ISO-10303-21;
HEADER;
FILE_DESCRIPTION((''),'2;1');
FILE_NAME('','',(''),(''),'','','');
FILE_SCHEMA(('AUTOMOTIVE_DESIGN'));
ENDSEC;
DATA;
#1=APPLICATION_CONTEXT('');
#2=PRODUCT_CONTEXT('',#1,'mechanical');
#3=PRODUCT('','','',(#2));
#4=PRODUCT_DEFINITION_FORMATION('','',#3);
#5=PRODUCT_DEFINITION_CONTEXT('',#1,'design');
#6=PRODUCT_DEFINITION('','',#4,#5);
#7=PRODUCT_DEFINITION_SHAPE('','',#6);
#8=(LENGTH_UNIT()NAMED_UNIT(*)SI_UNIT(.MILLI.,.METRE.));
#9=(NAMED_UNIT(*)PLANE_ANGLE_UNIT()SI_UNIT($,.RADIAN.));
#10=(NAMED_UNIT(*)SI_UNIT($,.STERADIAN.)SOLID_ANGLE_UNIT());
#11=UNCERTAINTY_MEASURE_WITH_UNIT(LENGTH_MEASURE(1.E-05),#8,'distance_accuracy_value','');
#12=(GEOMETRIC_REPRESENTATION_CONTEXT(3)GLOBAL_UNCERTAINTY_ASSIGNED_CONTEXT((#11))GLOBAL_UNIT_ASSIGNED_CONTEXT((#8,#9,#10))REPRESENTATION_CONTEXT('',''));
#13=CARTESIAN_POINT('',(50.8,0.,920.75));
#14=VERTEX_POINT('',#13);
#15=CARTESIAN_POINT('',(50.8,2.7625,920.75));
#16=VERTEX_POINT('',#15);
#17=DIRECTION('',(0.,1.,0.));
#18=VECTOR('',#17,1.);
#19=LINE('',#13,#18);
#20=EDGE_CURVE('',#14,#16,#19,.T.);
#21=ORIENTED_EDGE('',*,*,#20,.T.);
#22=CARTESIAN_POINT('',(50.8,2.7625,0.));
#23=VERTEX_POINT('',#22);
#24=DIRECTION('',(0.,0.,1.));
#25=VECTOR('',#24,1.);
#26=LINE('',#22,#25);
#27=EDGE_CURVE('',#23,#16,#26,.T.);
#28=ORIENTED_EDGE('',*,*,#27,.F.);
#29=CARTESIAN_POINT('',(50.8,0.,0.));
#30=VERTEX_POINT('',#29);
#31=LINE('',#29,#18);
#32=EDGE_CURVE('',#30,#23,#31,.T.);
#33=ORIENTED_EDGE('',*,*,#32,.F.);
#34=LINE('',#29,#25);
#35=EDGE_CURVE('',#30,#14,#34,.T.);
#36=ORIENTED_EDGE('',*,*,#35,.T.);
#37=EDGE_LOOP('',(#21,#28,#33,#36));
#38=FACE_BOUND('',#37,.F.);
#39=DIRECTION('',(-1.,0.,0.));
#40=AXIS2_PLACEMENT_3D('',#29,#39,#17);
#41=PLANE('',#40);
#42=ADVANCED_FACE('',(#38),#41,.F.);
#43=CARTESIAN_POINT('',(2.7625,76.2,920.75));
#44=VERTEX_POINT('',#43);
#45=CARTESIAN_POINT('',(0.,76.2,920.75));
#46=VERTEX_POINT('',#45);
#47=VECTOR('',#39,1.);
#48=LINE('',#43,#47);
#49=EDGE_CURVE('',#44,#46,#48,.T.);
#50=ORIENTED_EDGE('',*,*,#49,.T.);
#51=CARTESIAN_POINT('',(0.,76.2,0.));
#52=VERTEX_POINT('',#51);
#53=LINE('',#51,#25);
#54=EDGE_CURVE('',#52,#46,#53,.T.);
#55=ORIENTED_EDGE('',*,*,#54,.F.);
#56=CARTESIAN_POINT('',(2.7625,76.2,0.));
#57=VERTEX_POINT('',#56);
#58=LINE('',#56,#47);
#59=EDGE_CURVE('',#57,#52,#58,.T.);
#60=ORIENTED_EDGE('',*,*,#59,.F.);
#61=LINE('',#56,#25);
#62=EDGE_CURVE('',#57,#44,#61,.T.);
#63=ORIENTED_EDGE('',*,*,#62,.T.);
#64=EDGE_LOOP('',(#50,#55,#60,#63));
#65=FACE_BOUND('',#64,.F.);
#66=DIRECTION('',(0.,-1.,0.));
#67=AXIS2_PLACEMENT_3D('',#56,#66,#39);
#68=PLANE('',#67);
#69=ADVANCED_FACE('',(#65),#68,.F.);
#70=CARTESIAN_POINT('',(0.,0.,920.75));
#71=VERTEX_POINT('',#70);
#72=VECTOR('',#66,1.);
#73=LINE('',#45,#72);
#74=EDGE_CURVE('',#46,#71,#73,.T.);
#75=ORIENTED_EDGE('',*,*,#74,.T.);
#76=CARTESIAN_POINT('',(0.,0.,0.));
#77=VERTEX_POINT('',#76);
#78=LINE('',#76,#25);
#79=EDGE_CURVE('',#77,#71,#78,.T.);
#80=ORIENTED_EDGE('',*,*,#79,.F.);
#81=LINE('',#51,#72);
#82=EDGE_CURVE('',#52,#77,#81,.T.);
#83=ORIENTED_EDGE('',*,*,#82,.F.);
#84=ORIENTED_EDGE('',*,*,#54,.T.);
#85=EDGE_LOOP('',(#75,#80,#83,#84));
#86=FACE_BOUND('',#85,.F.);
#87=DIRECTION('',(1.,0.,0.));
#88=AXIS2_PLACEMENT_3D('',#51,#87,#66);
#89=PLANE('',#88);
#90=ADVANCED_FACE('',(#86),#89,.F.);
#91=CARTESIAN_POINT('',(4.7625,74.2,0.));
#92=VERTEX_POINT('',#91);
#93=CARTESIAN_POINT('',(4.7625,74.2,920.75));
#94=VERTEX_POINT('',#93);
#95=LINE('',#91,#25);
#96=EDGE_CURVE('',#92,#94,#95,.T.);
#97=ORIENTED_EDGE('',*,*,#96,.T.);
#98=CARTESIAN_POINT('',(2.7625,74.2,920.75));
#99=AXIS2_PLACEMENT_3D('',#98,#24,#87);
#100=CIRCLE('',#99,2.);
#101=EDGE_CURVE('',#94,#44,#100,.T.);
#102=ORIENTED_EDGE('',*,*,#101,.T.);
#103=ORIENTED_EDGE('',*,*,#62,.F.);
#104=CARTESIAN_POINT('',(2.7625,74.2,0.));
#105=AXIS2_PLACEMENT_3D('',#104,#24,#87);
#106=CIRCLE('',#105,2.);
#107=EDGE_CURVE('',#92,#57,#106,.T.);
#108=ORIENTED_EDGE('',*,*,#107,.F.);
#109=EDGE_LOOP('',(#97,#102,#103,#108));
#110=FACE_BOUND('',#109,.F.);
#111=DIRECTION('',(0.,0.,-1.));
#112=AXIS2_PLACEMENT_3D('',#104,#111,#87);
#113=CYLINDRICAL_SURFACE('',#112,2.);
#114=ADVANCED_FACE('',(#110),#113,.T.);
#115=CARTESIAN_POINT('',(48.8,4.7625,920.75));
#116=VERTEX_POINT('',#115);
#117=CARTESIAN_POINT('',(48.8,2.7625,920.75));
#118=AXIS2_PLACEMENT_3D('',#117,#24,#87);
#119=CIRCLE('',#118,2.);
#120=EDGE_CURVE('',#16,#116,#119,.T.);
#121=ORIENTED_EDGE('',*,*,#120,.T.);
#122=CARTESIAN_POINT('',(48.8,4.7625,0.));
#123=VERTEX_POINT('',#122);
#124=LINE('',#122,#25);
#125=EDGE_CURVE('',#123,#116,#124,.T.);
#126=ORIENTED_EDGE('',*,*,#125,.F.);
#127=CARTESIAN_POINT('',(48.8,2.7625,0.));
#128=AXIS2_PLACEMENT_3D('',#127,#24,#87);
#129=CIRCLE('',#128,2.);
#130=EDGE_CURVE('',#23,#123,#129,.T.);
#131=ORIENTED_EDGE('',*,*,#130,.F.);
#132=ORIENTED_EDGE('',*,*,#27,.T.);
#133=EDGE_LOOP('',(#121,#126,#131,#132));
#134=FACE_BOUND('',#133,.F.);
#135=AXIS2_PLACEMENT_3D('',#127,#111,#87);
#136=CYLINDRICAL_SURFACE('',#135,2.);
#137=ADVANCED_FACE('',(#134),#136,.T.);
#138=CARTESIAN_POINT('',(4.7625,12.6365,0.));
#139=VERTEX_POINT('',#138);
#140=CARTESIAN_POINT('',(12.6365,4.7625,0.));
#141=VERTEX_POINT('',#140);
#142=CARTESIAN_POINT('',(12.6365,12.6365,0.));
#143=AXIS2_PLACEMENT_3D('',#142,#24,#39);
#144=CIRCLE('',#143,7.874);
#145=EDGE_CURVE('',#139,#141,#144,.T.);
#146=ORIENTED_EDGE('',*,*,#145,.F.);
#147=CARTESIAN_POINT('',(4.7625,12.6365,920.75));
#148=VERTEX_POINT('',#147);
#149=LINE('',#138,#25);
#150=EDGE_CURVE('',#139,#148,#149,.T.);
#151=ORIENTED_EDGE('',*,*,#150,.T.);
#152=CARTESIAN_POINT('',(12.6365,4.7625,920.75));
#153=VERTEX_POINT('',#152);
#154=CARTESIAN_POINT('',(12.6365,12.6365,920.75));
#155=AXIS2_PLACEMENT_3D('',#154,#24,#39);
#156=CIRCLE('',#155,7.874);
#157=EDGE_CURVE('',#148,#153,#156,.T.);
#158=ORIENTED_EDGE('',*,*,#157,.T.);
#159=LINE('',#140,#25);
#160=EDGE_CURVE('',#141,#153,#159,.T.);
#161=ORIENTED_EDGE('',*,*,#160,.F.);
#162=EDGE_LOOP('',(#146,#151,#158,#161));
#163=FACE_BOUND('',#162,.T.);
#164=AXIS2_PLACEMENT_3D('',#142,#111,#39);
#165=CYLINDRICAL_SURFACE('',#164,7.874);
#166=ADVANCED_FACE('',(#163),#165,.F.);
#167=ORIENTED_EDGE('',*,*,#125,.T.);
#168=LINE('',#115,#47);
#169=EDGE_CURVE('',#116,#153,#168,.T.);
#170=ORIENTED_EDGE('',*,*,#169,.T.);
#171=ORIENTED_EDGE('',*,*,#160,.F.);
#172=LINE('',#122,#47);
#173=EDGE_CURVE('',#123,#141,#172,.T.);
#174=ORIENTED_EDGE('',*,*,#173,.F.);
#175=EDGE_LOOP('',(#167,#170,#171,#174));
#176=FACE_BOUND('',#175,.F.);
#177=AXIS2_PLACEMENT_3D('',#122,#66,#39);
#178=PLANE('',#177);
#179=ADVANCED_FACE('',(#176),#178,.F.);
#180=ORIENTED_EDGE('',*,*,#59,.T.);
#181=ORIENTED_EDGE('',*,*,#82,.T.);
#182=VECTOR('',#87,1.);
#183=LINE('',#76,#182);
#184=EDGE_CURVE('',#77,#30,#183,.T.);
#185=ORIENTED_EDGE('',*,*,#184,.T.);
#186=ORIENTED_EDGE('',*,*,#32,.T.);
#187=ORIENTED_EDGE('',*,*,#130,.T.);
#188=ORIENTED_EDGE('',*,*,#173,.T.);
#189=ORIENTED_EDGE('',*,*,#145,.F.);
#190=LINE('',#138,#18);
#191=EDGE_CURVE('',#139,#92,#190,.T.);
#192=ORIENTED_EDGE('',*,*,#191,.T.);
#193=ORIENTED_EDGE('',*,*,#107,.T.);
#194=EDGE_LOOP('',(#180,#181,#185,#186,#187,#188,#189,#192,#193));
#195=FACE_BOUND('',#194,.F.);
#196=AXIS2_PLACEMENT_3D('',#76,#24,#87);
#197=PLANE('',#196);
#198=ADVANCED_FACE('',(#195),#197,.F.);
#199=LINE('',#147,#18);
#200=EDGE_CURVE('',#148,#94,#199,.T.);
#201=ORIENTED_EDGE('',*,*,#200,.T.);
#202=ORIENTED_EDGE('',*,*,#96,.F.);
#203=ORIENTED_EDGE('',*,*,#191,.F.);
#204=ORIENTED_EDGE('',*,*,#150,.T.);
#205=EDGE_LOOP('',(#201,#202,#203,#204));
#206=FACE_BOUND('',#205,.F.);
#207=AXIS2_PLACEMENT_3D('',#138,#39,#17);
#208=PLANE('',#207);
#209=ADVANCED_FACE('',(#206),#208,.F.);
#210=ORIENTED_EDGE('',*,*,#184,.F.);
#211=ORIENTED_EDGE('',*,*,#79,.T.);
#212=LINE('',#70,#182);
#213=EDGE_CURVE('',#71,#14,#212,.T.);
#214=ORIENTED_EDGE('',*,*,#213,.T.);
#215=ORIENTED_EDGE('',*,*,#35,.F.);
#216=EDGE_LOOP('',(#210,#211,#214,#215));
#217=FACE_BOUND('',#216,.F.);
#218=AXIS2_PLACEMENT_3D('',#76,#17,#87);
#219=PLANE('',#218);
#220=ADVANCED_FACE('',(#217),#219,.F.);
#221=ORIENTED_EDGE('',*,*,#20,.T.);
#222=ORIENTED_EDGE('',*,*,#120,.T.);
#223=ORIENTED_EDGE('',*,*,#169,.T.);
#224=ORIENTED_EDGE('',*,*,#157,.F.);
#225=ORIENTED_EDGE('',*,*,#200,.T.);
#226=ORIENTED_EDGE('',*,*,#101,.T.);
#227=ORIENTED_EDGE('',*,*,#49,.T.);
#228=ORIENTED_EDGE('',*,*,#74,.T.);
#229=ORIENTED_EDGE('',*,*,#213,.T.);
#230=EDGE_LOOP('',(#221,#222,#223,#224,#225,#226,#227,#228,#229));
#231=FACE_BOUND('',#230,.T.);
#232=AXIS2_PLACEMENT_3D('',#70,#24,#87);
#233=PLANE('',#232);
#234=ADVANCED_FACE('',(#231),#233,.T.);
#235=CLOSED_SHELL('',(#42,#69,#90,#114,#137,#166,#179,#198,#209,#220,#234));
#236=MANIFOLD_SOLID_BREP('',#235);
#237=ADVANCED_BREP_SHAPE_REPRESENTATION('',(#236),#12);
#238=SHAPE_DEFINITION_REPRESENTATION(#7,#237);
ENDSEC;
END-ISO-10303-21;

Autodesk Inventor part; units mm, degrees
ref_plane "Start plane" through (0, 0, 0) normal (0, 0, 1) x (1, 0, 0)
ref_plane "End plane" through (0, 0, 920.75) normal (0, 0, 1) x (1, 0, 0)
sketch "Sketch" plane through (0, 0, 0) normal (0, 0, 1) x (1, 0, 0)
  line L0 (0, 76.2) -> (0, 0)
  line L1 (0, 0) -> (50.8, 0)
  line L2 (50.8, 0) -> (50.8, 2.7625)
  line L3 (48.8, 4.7625) -> (12.6365, 4.7625)
  line L4 (4.7625, 12.6365) -> (4.7625, 74.2)
  line L5 (2.7625, 76.2) -> (0, 76.2)
  line L6 (-7.0414, 0) -> (21.5385, 0) construction
  line L7 (0, -8.0414) -> (0, 34.5385) construction
  arc A0 (4.7625, 12.6365) -> (12.6365, 4.7625) centre (12.6365, 12.6365) ccw
  arc A1 (50.8, 2.7625) -> (48.8, 4.7625) centre (48.8, 2.7625) ccw
  arc A2 (4.7625, 74.2) -> (2.7625, 76.2) centre (2.7625, 74.2) ccw
  line L8 (0, 93.5453) -> (0, -24.9725) construction
  line L9 (-18.6925, 0) -> (62.8653, 0) construction
  point P0 (50.8, 4.7625)
  point P1 (4.7625, 4.7625)
  point P2 (4.7625, 76.2)
  dimension "d12" = 4.7625
  dimension "d13" = 76.2
  dimension "d14" = 50.8
  dimension "d15" = 0
  dimension "d16" = 4.7625
  dimension "d17" = 0
  dimension "d18" = 7.874
  dimension "d19" = 2
extrude "Body" add sketch "Sketch" along normal up to surface (920.75 mm away) from surface at 0
sketch "Sketch3" plane through (0, 0, 0) normal (0, 0, 1) x (1, 0, 0)
  line L0 (0, 0) -> (10, 0)
ref_plane "Work Plane4" through (0, 0, 0) normal (0, -1, 0) x (1, 0, 0)
sketch "Sketch4" plane through (0, 0, 0) normal (0, -1, 0) x (1, 0, 0)
  line L0 (-2, 0) -> (12, 0)
  line L1 (-2, 920.75) -> (12, 920.75)
  dimension "d23" = 920.75
ref_plane "Work Plane3" through (0, 0, 920.75) normal (0, 0, 1) x (1, 0, 0)
split "Split1" plane through (0, 0, 920.75) removes the side toward (0, 0, 1)
equation "\"d12\" = G_T"
equation "\"d13\" = G_H"
equation "\"d14\" = G_W"
equation "\"d16\" = G_T"
equation "\"d18\" = G_IR"
equation "\"d4\" = G_L"
equation "\"G_W\" = 50.8"
equation "\"G_H\" = 76.2"
equation "\"G_T\" = 4.7625"
equation "\"G_ER\" = 4.064"
equation "\"G_IR\" = 7.874"
equation "\"G_L\" = d23"
equation "\"ex\" = 0"
equation "\"ey\" = 0"
equation "\"G_OFFSET_START\" = 0"
equation "\"G_OFFSET_END\" = 76.2"
equation "\"d21\" = G_OFFSET_END + B_L"
equation "\"B_L\" = 844.55"
properties part number "ANSI L 3 x 2 x 3_16 00000001"
